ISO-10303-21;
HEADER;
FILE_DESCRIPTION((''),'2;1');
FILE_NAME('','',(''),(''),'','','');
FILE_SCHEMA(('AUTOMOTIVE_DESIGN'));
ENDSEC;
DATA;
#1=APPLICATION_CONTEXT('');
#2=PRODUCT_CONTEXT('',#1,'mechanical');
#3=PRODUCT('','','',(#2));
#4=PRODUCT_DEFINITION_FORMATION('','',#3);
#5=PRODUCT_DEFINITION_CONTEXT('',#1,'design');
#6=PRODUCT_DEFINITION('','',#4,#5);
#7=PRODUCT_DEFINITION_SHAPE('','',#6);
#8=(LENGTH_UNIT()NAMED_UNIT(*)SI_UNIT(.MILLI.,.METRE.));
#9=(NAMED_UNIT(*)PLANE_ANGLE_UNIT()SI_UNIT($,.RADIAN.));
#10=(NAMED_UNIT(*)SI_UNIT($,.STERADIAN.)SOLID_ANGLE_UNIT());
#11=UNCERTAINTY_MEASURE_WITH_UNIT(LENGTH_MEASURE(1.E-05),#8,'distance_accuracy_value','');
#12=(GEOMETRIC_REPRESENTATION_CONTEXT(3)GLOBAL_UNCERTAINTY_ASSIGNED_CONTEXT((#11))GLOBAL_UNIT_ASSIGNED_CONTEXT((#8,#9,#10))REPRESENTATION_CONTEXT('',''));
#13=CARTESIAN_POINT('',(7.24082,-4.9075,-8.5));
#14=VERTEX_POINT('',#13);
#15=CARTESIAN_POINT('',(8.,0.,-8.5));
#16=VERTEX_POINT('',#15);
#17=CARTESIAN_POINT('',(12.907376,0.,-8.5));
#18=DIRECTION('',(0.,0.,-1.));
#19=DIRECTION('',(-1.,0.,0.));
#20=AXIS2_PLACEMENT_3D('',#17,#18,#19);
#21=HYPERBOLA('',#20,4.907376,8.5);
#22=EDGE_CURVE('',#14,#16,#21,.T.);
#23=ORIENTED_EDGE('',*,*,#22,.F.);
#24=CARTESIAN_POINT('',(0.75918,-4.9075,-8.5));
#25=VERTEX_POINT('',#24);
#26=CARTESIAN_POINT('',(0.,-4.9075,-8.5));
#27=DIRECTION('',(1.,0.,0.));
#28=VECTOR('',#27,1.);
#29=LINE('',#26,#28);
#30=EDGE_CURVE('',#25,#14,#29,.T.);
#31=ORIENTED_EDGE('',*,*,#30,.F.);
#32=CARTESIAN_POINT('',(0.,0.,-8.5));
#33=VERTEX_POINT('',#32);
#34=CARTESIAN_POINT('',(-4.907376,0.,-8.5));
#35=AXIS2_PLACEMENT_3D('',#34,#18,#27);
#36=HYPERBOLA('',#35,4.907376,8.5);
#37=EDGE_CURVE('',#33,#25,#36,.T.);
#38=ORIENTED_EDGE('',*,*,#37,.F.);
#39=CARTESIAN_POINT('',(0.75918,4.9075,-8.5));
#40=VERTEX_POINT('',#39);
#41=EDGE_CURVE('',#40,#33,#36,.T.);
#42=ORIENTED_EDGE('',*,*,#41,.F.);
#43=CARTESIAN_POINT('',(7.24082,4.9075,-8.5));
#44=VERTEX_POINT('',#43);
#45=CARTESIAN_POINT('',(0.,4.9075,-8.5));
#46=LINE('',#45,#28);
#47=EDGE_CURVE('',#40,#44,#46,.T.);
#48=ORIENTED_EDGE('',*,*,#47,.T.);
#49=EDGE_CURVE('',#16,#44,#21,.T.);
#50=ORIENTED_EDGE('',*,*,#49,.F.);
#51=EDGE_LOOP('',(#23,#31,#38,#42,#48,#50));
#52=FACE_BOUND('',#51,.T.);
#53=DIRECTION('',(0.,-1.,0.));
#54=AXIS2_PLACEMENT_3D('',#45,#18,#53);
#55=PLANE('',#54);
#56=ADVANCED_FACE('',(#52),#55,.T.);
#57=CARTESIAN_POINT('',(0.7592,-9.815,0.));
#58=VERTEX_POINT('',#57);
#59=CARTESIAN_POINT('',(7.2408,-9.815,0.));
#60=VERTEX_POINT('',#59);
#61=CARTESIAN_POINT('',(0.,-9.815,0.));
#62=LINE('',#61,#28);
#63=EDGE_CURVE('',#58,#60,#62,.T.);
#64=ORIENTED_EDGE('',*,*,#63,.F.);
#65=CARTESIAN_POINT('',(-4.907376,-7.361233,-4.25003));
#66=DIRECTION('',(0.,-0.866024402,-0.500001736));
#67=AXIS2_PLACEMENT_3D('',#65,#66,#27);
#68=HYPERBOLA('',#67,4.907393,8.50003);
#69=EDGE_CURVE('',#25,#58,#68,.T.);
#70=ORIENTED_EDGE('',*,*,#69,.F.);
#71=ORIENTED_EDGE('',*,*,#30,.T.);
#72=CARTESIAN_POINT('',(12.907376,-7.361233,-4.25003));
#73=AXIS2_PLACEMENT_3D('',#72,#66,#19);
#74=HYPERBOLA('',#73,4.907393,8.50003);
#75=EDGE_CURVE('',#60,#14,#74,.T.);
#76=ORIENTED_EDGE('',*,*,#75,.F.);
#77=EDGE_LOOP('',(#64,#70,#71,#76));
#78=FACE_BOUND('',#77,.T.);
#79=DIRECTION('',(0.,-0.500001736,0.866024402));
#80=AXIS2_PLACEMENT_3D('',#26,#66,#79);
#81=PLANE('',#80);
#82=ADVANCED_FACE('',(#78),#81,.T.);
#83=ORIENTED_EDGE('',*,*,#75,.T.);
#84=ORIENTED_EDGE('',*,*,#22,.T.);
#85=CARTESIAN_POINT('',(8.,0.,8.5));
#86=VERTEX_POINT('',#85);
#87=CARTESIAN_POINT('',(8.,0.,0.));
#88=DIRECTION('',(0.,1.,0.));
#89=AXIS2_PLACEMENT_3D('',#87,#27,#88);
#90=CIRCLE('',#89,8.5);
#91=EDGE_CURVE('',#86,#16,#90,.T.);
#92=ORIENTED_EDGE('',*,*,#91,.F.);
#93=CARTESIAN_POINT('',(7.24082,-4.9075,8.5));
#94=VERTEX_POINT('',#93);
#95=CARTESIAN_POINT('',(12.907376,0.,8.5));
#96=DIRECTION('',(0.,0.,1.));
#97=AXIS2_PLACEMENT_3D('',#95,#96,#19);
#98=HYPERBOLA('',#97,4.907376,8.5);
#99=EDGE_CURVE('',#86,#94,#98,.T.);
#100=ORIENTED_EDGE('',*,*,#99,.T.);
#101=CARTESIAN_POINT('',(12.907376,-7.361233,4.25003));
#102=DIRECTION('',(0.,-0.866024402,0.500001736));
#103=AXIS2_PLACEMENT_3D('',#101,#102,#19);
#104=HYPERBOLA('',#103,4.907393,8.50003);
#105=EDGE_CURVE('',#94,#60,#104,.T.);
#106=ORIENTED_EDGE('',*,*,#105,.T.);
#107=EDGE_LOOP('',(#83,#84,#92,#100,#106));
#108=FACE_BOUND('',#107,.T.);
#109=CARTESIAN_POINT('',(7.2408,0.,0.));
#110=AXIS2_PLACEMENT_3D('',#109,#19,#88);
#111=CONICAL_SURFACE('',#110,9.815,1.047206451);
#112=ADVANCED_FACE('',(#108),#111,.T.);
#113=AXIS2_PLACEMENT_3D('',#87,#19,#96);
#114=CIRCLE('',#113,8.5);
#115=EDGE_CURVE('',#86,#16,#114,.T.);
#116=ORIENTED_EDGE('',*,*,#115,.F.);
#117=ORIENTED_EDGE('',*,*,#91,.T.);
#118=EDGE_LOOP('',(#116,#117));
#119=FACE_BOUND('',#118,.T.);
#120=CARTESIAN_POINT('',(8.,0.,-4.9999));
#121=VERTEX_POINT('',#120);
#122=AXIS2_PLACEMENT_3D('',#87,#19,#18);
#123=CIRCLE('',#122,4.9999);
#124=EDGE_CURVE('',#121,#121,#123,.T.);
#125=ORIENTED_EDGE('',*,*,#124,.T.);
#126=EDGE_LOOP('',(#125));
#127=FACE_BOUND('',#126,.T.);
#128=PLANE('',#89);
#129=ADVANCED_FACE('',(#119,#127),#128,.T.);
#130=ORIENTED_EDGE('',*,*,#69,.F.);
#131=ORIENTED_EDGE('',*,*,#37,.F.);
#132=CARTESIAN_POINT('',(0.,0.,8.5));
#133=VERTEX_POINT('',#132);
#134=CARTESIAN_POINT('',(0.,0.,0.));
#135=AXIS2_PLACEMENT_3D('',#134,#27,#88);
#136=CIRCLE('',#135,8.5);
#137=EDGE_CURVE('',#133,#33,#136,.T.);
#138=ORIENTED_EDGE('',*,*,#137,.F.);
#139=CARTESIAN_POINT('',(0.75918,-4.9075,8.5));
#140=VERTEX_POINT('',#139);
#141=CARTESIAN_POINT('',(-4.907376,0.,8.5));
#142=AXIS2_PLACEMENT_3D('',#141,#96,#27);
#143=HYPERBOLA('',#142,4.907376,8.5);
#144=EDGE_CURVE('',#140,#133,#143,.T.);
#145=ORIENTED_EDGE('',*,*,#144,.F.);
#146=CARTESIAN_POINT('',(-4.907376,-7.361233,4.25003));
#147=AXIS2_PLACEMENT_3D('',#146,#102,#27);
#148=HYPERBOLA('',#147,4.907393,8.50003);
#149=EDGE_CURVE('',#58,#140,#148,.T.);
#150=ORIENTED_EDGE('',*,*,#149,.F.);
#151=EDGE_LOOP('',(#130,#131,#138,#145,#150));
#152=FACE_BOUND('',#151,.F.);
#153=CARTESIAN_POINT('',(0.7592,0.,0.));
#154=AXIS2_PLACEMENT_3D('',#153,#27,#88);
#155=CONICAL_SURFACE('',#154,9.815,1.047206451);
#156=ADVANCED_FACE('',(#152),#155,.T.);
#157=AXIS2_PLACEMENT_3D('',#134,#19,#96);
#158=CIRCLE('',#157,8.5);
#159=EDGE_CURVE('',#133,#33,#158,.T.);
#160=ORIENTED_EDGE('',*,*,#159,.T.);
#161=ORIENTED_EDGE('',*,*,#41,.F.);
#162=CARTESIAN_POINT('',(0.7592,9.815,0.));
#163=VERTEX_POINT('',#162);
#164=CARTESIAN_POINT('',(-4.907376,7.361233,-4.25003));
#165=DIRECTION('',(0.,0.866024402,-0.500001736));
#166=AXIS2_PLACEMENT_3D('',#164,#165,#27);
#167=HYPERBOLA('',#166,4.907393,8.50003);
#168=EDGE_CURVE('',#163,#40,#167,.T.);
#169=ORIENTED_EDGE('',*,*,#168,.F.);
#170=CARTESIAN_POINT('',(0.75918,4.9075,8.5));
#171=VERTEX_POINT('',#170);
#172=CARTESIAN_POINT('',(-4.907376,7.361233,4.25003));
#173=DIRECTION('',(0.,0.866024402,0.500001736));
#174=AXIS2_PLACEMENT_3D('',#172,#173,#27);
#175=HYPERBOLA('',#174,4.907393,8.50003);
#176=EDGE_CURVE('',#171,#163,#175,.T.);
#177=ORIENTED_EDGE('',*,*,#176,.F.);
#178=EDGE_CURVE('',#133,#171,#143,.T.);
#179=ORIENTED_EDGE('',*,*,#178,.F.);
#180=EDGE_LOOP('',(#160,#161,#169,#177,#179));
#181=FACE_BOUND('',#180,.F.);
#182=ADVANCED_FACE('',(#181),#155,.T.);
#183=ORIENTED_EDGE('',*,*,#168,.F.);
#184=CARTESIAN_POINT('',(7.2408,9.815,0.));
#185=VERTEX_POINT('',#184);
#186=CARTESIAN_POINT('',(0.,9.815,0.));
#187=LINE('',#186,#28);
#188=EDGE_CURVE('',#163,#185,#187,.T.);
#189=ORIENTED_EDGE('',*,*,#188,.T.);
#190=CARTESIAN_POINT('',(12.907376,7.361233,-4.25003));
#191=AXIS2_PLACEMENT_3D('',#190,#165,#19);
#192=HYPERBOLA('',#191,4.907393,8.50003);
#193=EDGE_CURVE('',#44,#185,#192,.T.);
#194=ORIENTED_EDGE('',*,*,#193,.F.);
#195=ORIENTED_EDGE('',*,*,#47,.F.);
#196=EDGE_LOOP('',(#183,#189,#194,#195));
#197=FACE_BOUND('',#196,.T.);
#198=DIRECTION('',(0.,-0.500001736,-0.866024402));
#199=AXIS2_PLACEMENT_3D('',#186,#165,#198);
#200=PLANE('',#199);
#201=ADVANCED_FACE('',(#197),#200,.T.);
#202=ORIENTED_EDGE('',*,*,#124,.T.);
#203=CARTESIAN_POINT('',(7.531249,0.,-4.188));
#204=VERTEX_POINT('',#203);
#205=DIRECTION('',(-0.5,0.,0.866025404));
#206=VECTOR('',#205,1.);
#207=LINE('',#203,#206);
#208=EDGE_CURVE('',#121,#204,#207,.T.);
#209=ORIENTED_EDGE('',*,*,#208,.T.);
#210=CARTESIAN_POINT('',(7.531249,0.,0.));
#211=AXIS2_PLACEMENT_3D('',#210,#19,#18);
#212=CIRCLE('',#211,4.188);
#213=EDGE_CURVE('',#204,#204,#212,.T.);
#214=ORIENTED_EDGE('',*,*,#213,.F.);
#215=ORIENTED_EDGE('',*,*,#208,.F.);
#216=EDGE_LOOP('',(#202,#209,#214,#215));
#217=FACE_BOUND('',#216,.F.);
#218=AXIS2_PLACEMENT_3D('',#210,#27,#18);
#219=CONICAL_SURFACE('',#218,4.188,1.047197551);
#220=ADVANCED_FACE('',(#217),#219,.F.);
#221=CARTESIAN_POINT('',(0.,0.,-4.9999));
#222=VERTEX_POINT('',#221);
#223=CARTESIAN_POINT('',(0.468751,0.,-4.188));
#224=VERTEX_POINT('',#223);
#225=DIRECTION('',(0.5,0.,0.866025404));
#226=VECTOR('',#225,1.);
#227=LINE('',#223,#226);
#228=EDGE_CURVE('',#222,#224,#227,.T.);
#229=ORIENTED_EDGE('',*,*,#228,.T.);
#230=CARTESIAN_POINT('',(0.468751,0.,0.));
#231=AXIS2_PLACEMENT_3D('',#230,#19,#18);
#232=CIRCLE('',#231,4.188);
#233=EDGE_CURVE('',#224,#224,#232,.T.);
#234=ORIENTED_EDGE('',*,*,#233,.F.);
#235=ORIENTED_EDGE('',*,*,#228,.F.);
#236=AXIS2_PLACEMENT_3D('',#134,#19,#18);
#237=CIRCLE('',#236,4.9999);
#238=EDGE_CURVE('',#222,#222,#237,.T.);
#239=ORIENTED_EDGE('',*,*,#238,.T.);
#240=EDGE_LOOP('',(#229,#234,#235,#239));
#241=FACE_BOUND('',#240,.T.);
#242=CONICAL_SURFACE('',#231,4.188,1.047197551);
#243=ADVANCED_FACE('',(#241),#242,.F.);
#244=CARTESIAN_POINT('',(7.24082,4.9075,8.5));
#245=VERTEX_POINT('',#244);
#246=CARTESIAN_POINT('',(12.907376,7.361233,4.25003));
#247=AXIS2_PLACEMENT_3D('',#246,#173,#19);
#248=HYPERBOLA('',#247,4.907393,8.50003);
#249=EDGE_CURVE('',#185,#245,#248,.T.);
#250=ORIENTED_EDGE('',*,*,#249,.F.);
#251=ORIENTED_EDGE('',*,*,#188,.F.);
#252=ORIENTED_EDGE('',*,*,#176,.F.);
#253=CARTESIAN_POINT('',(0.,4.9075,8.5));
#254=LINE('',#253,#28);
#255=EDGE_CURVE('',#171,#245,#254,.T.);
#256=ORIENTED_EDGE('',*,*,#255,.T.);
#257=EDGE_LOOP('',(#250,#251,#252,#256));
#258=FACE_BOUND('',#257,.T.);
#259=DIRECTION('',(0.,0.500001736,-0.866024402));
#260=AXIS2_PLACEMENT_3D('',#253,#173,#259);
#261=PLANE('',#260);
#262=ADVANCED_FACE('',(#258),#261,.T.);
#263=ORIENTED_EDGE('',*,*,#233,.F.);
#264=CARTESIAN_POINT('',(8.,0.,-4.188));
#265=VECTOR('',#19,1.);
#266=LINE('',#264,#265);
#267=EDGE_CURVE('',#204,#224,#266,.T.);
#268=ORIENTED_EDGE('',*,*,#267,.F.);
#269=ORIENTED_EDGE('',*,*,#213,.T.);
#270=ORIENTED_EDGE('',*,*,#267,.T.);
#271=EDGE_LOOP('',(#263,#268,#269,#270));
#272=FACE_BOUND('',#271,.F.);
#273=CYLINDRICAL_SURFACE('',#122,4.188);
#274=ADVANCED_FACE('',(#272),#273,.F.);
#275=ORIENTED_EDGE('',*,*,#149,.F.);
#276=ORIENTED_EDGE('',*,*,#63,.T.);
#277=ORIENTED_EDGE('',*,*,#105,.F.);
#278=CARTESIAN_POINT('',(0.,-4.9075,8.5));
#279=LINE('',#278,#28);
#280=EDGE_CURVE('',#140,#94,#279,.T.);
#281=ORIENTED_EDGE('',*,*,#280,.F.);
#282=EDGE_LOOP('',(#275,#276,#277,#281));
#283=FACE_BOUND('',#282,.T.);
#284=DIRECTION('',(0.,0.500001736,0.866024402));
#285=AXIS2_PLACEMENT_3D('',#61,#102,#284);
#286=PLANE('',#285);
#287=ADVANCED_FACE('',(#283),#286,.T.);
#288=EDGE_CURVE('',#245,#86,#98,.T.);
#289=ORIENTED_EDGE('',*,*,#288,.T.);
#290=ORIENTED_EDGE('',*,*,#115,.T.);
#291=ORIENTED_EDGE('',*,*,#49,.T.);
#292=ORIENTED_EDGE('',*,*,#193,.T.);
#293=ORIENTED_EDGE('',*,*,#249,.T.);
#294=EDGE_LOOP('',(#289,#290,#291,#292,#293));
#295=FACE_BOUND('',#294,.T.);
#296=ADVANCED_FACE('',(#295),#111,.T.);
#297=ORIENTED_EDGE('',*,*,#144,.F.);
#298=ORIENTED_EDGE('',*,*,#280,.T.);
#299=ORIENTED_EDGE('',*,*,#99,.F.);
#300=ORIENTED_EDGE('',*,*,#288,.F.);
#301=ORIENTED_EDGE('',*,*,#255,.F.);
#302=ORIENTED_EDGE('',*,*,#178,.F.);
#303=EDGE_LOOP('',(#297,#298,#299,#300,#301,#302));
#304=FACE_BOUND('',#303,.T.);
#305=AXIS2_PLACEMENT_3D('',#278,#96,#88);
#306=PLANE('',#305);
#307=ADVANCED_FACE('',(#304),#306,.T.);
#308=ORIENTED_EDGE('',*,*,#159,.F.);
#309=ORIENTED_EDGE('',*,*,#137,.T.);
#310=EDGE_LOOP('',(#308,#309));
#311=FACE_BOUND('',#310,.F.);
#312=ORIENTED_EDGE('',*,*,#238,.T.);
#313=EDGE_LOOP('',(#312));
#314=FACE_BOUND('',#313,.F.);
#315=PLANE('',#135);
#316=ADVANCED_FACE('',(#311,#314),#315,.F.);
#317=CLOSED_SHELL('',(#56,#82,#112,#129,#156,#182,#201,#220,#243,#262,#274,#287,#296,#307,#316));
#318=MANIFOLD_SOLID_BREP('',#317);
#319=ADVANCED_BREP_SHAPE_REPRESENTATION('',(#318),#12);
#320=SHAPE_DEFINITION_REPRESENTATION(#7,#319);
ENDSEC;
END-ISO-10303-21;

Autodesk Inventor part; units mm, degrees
ref_plane "YZ Plane" through (0, 0, 0) normal (1, 0, 0) x (0, 1, 0)
ref_plane "XZ Plane" through (0, 0, 0) normal (0, 1, 0) x (-1, 0, 0)
sketch "Эскиз1" plane through (0, 0, 0) normal (1, 0, 0) x (0, 1, 0)
  line L0 (-9.815, 0) -> (-4.9075, 8.5)
  line L1 (-4.9075, 8.5) -> (4.9075, 8.5)
  line L2 (4.9075, 8.5) -> (9.815, 0)
  line L3 (9.815, 0) -> (4.9075, -8.5)
  line L4 (4.9075, -8.5) -> (-4.9075, -8.5)
  line L5 (-4.9075, -8.5) -> (-9.815, 0)
  point P0 (0, 0)
  point P1 (0, 0)
  dimension "d0" = 19.6299
extrude "Базовый элемент" add sketch "Эскиз1" along normal blind 8
sketch "Эскиз2" plane through (0, 0, 0) normal (0, 0, 1) x (1, 0, 0)
  line L0 (0, 4.9075) -> (0, 9.815) projected
  line L1 (0, 9.815) -> (8, 9.815) projected
  line L2 (8, 4.9075) -> (8, 9.815) projected
  line L3 (-1.6, 0) -> (9.6, 0) projected
  line L4 (0.7592, 9.815) -> (0, 8.5)
  line L5 (7.2408, 9.815) -> (8, 8.5)
  dimension "d3" = 30
  dimension "d4" = 30
  dimension "d5" = 17
  dimension "d6" = 17
revolve "Фаска1" cut sketch "Эскиз2" angle 360 about axis through (-10, 0, 0) along (1, 0, 0)
sketch "Эскиз3" plane through (8, 0, 0) normal (1, 0, 0) x (0, 0, -1)
  arc A0 (-4.25, -7.3612) -> (4.25, -7.3612) centre (0, 0) ccw projected
hole "Резьба" at (8, 0, 0) direction (-1, 0, 0) diameter 8.376 end through all thread size "M10x1.5" class "6H" standard "ISO Metric profile"
chamfer "Фаска2" distance 0.8119 angle 30 1 edges at (8, 0, 4.188) measured on face at (8, 7.0214, -0.1683)
chamfer "Фаска3" distance 0.8119 angle 30 1 edges at (0, 0, 4.188) measured on face at (0, 7.0214, -0.1683)
ref_plane "Work Plane1" through (-19.1723, 0, 0) normal (0, -0.866, -0.5) x (1, 0, 0)
equation "\"d0\" = 1.1547 * SW"
equation "\"d1\" = KOH"
equation "\"d3\" = ANG1"
equation "\"d4\" = ANG2"
equation "\"d5\" = SW0"
equation "\"d6\" = SW01"
equation "\"d8\" = -0.5 * GD1 + 0.5 * NND"
equation "\"d40\" = -0.5 * GD1 + 0.5 * NND"
equation "\"d10\" = -0.5 * GD1 + 0.5 * NND"
equation "\"d41\" = -0.5 * GD1 + 0.5 * NND"
equation "\"ANG1\" = 30deg"
equation "\"ANG2\" = 30deg"
equation "\"KOH\" = 8"
equation "\"SW\" = 17"
equation "\"SW0\" = 17"
equation "\"SW01\" = SW0"
equation "\"GUL\" = 0.541266 * PTC"
equation "\"LADI\" = 16.15"
equation "\"TOA\" = 30deg"
equation "\"FAWI\" = 30deg"
equation "\"PTC\" = 1.5"
equation "\"E0\" = 1.155 * SW"
equation "\"GAL\" = 0.541266 * PTC"
equation "\"GD1\" = 8.376202"
equation "\"NND\" = 10"
properties part number "Гайка M10-6H ГОСТ 5927-70" material "Сталь, мягкая"
